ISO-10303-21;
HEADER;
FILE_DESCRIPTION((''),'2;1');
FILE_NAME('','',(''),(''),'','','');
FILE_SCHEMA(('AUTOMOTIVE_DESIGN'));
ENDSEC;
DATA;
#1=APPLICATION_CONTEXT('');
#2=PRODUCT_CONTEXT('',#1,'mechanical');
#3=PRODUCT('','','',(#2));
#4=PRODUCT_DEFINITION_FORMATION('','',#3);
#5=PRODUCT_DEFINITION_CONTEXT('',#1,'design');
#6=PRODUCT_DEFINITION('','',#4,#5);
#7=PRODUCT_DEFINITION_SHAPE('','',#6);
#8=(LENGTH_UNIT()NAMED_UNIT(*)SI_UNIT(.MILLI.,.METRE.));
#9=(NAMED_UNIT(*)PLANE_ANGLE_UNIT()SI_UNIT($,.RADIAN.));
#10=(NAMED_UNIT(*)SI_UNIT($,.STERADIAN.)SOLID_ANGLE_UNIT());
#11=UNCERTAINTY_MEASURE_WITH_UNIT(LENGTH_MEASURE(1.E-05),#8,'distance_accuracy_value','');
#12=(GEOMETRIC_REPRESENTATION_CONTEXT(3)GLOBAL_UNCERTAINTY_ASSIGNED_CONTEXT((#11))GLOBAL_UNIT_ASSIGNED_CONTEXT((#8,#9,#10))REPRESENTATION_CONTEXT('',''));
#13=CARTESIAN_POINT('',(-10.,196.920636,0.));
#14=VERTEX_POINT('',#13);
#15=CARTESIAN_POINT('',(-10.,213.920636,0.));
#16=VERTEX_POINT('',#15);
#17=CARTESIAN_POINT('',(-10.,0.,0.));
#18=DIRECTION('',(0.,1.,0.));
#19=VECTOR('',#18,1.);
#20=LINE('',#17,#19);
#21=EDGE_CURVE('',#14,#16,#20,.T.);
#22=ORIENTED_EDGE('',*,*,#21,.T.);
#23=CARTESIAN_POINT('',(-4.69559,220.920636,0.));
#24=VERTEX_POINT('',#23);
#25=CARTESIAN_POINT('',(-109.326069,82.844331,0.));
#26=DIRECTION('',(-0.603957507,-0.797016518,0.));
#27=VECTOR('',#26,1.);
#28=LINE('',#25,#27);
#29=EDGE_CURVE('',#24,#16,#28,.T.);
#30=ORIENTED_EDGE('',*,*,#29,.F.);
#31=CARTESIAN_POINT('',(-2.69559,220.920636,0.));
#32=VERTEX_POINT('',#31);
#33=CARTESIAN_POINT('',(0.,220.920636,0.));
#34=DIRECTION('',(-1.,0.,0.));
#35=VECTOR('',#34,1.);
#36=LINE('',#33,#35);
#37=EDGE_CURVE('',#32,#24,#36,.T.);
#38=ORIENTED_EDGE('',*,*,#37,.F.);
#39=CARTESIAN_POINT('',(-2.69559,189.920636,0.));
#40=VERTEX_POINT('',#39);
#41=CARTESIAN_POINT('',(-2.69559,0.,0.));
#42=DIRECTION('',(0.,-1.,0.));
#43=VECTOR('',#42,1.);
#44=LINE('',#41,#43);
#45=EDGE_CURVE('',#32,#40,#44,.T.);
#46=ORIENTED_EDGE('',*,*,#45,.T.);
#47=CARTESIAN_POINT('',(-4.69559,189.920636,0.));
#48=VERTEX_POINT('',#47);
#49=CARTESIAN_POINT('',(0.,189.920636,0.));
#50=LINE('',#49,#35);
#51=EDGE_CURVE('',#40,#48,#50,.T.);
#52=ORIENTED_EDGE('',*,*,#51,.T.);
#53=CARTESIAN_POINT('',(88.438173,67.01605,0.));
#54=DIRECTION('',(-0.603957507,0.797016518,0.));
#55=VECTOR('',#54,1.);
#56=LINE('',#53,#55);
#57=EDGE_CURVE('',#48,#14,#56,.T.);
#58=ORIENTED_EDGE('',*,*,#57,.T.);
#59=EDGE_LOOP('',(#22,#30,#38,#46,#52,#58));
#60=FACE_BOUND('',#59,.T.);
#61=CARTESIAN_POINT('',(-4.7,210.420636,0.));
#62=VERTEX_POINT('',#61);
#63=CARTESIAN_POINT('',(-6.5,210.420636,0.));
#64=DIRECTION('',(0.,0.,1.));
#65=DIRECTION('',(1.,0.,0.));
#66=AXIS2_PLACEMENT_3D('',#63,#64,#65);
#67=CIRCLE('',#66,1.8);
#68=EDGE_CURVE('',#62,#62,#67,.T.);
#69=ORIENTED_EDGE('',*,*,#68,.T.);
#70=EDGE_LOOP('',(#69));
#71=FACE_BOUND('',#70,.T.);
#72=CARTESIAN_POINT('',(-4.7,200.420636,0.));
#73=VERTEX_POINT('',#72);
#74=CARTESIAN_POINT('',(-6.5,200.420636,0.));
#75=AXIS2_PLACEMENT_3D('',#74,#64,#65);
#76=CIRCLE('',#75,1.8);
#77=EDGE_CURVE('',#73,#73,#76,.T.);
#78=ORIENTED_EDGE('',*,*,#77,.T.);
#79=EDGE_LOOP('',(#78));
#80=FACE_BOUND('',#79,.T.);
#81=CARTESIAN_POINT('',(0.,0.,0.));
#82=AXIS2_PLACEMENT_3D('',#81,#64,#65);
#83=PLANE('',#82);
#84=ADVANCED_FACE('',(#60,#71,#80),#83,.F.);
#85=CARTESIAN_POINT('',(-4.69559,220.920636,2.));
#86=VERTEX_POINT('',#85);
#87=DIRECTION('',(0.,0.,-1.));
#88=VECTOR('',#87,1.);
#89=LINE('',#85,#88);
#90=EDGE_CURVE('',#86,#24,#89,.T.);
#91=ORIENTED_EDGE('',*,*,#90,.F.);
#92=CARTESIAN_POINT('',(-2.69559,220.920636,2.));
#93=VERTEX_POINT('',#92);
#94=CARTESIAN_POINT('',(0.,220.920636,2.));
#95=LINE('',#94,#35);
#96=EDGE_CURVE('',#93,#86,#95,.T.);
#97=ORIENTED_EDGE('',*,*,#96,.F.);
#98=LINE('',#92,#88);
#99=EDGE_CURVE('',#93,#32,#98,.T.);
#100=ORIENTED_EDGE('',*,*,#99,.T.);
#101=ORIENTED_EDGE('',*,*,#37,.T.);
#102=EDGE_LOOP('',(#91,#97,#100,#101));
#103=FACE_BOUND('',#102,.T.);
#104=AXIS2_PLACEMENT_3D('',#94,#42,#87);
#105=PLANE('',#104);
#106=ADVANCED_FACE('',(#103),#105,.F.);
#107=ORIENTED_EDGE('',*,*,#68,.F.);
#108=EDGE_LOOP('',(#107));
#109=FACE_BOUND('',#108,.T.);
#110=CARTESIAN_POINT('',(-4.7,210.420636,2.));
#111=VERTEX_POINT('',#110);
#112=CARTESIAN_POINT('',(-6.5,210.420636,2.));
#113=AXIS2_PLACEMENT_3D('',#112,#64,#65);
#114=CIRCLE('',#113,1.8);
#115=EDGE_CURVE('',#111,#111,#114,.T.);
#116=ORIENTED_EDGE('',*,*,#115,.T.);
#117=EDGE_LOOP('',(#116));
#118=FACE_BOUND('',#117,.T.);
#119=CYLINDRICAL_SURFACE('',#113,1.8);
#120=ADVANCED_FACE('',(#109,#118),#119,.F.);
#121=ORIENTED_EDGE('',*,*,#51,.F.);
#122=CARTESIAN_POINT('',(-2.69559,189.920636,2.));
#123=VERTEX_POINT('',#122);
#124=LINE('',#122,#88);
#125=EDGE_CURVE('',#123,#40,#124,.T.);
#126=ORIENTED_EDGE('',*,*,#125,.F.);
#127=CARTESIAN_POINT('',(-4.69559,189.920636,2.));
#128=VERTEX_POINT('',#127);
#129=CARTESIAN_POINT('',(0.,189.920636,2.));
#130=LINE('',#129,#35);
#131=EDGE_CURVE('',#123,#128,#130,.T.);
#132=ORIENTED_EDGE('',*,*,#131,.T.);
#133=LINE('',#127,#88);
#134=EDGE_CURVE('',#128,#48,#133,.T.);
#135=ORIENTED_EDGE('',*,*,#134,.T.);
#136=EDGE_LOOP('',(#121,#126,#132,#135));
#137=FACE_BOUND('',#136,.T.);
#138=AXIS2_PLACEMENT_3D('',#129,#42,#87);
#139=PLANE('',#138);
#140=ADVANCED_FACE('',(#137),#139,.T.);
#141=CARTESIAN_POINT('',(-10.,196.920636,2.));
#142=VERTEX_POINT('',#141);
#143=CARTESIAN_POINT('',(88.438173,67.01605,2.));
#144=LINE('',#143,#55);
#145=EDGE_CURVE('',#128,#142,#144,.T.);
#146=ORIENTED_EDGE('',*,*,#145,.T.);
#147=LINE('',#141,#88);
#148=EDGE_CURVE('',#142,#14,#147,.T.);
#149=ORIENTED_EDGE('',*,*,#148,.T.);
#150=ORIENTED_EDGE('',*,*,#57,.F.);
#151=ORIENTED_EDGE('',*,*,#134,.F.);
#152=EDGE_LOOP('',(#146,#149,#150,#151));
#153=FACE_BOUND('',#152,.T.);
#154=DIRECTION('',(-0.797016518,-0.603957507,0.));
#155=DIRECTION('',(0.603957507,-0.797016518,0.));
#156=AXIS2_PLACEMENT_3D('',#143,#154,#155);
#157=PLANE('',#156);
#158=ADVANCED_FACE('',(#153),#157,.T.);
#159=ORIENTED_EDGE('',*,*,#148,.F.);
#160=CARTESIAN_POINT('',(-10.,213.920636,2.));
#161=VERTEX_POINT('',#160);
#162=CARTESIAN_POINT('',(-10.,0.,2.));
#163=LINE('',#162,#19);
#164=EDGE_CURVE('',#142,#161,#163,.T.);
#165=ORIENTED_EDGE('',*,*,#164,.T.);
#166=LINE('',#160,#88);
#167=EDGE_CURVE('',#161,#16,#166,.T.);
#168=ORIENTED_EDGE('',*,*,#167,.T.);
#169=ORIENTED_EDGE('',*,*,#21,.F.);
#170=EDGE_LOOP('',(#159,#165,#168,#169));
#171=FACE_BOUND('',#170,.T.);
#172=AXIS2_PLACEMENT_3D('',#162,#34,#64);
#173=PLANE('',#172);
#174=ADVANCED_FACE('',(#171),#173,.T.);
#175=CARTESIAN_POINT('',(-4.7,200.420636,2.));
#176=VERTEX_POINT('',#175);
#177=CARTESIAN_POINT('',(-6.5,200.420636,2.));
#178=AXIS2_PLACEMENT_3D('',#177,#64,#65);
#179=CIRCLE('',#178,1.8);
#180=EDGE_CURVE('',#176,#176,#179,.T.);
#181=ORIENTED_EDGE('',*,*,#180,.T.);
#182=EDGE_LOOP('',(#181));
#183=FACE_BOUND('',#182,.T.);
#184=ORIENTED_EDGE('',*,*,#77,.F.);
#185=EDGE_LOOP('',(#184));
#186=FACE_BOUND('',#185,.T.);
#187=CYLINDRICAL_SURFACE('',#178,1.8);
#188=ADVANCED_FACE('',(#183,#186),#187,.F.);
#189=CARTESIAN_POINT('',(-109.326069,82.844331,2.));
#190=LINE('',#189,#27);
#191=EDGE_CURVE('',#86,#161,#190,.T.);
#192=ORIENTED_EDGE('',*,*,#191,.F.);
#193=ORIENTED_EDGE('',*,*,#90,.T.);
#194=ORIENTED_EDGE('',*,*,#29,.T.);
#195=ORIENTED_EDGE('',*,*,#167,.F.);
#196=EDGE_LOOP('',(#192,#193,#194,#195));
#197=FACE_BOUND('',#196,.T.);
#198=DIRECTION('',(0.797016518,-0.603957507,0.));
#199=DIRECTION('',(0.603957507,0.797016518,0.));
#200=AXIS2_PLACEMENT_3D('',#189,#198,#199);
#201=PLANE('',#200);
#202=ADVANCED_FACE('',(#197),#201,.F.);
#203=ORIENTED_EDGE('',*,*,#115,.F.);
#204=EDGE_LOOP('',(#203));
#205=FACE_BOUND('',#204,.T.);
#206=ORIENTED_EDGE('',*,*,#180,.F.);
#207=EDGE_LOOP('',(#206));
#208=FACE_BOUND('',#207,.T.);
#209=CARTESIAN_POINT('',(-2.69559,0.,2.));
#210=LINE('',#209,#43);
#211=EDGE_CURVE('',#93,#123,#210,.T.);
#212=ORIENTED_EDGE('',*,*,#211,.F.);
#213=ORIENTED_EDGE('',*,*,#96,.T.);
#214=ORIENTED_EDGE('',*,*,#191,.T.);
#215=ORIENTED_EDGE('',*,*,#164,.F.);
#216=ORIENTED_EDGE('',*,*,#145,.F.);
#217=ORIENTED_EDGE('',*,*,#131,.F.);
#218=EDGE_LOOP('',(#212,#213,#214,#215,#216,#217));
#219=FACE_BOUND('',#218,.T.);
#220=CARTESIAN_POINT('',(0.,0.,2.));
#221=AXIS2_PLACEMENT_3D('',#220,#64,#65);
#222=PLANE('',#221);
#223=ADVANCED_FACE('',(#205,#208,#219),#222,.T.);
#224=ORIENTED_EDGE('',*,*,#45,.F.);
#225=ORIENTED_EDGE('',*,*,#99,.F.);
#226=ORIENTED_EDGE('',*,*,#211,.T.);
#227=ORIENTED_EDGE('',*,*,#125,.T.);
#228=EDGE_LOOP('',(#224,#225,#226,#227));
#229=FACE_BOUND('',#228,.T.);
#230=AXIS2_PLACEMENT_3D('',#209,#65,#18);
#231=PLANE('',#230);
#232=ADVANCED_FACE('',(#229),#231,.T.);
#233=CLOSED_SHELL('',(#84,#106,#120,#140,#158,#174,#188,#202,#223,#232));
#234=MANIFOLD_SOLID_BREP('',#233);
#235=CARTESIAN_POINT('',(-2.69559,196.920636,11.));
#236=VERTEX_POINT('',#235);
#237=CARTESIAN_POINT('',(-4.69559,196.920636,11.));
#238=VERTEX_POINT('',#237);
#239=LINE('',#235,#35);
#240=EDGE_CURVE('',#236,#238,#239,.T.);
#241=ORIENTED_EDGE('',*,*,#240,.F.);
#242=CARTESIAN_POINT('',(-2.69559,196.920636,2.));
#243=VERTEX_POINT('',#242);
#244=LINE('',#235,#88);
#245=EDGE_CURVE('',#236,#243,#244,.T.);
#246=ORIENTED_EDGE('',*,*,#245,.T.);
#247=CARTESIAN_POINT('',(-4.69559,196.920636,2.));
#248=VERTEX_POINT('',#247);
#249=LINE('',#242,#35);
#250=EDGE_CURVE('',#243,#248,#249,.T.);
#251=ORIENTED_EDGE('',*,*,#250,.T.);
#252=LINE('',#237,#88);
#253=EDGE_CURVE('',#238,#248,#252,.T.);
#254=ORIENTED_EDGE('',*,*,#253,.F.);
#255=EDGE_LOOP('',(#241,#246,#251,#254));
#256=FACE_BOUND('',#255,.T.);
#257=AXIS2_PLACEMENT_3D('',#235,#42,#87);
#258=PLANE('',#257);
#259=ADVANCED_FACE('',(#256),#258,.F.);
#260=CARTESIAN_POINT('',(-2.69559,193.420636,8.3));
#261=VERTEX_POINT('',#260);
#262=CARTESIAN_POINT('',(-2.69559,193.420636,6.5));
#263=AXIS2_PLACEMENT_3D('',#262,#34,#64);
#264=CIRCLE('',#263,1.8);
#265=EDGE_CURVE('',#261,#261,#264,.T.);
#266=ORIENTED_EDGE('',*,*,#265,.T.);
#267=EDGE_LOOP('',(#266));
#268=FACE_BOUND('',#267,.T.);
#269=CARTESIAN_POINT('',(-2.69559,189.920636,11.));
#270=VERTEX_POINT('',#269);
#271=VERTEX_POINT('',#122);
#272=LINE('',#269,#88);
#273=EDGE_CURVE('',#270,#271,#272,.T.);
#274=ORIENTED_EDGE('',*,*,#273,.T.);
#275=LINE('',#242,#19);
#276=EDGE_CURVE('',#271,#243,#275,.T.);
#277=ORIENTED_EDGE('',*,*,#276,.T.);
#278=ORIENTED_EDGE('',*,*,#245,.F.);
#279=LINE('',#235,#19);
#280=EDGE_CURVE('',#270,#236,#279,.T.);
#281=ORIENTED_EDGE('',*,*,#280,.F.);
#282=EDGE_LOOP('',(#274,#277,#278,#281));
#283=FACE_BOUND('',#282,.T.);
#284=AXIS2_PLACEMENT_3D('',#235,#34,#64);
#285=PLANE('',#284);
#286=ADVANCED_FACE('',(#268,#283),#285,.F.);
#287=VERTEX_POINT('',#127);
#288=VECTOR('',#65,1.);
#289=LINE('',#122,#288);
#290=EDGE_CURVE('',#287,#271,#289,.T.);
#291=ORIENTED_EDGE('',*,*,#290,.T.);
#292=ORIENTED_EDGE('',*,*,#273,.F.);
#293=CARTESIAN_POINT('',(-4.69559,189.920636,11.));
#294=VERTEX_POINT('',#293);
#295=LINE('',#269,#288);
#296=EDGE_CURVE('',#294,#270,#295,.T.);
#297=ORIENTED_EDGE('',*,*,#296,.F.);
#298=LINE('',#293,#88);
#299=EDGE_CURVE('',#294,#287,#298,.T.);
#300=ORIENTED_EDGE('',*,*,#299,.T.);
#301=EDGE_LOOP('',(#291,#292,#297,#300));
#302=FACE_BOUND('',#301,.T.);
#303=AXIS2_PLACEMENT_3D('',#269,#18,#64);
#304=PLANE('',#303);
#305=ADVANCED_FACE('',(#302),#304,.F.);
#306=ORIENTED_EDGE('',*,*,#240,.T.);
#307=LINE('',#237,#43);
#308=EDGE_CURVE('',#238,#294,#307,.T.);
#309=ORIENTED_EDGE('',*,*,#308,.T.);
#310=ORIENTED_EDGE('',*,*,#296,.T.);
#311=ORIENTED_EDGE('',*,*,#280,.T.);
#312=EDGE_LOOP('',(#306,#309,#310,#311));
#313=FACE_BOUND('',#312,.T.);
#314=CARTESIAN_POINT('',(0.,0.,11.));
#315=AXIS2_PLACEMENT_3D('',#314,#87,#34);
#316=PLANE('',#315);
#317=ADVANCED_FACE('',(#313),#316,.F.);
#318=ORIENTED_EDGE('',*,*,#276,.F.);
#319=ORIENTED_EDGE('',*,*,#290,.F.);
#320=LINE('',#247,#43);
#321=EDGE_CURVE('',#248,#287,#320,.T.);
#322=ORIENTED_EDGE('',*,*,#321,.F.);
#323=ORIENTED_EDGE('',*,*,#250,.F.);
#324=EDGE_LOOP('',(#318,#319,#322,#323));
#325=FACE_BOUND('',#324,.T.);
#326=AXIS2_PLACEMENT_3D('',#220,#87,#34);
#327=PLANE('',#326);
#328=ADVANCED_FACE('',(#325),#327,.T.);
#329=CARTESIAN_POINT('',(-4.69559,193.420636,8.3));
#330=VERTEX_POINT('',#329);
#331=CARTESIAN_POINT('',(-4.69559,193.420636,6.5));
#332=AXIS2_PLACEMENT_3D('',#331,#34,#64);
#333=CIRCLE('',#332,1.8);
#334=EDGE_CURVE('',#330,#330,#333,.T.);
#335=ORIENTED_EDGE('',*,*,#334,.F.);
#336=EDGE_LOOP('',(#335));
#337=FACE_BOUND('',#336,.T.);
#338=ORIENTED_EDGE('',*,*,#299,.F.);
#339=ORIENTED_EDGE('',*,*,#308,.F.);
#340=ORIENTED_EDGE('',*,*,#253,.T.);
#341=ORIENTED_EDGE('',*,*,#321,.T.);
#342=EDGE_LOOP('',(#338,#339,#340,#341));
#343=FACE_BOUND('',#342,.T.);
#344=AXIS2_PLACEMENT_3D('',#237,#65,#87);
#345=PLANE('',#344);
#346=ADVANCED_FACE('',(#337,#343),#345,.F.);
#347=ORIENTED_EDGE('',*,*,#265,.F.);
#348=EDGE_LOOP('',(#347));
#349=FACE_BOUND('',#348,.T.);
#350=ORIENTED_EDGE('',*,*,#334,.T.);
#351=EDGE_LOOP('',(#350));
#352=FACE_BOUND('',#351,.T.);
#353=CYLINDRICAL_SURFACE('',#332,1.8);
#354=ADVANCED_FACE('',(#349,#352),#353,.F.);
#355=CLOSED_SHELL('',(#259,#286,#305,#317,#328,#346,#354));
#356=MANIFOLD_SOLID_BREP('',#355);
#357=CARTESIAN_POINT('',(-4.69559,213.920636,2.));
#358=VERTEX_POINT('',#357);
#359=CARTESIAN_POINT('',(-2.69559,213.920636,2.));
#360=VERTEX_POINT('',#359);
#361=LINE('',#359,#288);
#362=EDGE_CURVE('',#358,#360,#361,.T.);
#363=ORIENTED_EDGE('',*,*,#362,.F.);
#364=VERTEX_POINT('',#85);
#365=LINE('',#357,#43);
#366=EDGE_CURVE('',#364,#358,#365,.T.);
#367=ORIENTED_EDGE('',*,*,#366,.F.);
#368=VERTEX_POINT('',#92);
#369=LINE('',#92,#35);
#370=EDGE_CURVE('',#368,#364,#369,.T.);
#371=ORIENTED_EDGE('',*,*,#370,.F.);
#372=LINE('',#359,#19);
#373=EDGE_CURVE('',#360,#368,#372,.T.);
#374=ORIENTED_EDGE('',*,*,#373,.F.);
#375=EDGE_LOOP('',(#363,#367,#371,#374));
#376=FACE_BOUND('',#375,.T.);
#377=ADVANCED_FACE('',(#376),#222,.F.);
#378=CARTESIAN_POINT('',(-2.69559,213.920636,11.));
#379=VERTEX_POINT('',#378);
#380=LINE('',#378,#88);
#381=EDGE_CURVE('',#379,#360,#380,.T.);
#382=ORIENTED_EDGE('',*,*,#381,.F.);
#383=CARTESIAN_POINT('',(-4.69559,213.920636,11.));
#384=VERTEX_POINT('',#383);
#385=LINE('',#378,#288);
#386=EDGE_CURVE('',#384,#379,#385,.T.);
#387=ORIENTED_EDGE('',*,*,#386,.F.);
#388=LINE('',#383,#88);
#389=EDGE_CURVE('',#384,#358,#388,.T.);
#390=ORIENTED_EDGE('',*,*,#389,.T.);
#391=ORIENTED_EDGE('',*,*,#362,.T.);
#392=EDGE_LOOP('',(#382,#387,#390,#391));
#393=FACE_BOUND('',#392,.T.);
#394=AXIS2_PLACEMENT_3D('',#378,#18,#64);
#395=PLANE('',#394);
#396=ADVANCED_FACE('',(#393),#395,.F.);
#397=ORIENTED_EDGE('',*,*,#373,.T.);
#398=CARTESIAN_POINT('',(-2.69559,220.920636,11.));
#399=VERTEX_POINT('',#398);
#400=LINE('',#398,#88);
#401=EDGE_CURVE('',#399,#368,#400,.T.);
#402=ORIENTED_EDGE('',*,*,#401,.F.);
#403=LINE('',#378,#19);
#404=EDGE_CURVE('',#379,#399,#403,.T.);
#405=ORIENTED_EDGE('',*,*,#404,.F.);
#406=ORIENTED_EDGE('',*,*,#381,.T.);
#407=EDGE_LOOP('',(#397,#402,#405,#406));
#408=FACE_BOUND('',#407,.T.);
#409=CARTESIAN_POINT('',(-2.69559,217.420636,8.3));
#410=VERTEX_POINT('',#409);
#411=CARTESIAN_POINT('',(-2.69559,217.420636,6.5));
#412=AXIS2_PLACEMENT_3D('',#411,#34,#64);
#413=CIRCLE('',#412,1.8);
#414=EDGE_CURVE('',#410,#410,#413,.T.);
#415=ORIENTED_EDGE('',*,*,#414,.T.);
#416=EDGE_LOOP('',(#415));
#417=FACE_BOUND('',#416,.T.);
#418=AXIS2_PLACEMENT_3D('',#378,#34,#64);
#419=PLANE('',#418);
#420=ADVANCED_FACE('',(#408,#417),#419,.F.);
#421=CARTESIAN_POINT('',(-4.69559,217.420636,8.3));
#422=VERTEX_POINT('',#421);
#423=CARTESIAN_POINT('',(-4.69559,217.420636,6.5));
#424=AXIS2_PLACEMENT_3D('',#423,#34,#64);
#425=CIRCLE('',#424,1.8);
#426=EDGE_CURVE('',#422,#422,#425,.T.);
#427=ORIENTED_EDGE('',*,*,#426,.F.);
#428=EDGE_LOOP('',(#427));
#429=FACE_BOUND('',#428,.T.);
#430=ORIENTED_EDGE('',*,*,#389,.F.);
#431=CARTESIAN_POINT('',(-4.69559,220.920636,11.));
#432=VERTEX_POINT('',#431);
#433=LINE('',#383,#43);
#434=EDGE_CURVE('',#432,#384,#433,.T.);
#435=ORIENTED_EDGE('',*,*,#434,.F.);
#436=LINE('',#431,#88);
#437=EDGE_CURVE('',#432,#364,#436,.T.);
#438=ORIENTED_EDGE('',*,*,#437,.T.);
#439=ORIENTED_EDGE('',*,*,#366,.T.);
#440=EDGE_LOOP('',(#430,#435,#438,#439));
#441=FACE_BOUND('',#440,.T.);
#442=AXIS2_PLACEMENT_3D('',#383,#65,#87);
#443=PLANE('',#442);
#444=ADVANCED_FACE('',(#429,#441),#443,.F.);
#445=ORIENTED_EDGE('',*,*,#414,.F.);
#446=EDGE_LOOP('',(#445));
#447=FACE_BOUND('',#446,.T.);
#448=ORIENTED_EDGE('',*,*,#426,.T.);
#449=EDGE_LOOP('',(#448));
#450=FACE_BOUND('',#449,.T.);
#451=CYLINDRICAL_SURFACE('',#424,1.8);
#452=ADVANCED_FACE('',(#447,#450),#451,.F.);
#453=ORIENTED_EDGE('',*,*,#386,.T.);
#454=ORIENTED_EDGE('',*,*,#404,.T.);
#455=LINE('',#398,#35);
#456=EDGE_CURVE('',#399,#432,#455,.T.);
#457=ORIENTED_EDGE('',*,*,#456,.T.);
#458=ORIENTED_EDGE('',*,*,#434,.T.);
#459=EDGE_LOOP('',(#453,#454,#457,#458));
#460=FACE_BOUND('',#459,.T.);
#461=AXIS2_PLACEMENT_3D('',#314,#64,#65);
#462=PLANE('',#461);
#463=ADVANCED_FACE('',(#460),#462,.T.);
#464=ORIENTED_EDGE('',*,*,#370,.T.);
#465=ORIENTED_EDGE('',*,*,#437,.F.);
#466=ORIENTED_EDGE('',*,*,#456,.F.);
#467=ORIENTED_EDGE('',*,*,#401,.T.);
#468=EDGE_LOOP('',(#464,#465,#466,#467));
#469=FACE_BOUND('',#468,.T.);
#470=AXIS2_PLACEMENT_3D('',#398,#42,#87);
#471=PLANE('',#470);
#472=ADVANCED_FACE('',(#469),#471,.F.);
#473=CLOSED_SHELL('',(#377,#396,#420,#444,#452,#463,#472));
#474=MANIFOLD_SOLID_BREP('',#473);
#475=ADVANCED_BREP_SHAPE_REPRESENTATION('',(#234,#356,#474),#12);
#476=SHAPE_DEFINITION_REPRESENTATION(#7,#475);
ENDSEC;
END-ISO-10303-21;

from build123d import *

# Parameters (mm, degrees)
SKETCH2_W                     = 7.304410209
SKETCH2_H                     = 17
BOSS_EXTRUDE1_DEPTH           = 2
M3_CLEARANCE_HOLE1_D          = 3.6
SKETCH6_W                     = 2
SKETCH6_H                     = 7
BOSS_EXTRUDE2_DEPTH           = 9
BOSS_EXTRUDE2_2_DEPTH         = 9
SKETCH8_W                     = 1.8
SKETCH8_H                     = 2
M3_CLEARANCE_HOLE2_AT_2_COUNT = 2
M3_CLEARANCE_HOLE2_AT_2_PITCH = 24


with BuildPart() as part:
    # Sketch2 → Boss-Extrude1 (new body)
    with BuildSketch(Plane.XY):
        Polygon((-4.695589791, 189.920635549), (-10, 196.920635549), (-2.695589791, 196.920635549), (-2.695589791, 189.920635549), align=None)
        Polygon((-2.695589791, 220.920635549), (-4.695589791, 220.920635549), (-10, 213.920635549), (-2.695589791, 213.920635549), align=None)
        with Locations((-6.347794895, 205.420635549)):
            Rectangle(SKETCH2_W, SKETCH2_H)
    extrude(amount=BOSS_EXTRUDE1_DEPTH)

    # M3 Clearance Hole1 (through all)
    with Locations(Plane.XY.offset(2)):
        with Locations((-6.5, 200.420635549), (-6.5, 210.420635549)):
            Hole(M3_CLEARANCE_HOLE1_D / 2)


with BuildPart() as body_2:
    # Sketch6 → Boss-Extrude2 (new body)
    with BuildSketch(Plane.XY.offset(2)):
        with Locations((-3.695589791, 217.420635549)):
            Rectangle(SKETCH6_W, SKETCH6_H)
    extrude(amount=BOSS_EXTRUDE2_DEPTH)


with BuildPart() as body_3:
    # Sketch6 → Boss-Extrude2 2 (new body)
    with BuildSketch(Plane.XY.offset(2)):
        with Locations((-3.695589791, 193.420635549)):
            Rectangle(SKETCH6_W, SKETCH6_H)
    extrude(amount=BOSS_EXTRUDE2_2_DEPTH)

    # Sketch8 → M3 Clearance Hole2 (revolve, cut)
    with BuildSketch(Plane(origin=(-4.695589791, 193.420635549, 6.5), x_dir=(0, 0, 1), z_dir=(0, 1, 0))):
        with Locations((0.9, 1)):
            Rectangle(SKETCH8_W, SKETCH8_H)
    m3_clearance_hole2 = revolve(axis=Axis((-11.045589791, 193.420635549, 6.5), (1, 0, 0)), mode=Mode.SUBTRACT)


with BuildPart() as body_2_1:
    add(body_2.part)

    # M3 Clearance Hole2 at 2: M3 Clearance Hole2 ×2
    with Locations(*[(0, i * M3_CLEARANCE_HOLE2_AT_2_PITCH, 0) for i in range(1, M3_CLEARANCE_HOLE2_AT_2_COUNT)]):
        add(m3_clearance_hole2, mode=Mode.SUBTRACT)


solid = Compound([part.part, body_3.part, body_2_1.part])
